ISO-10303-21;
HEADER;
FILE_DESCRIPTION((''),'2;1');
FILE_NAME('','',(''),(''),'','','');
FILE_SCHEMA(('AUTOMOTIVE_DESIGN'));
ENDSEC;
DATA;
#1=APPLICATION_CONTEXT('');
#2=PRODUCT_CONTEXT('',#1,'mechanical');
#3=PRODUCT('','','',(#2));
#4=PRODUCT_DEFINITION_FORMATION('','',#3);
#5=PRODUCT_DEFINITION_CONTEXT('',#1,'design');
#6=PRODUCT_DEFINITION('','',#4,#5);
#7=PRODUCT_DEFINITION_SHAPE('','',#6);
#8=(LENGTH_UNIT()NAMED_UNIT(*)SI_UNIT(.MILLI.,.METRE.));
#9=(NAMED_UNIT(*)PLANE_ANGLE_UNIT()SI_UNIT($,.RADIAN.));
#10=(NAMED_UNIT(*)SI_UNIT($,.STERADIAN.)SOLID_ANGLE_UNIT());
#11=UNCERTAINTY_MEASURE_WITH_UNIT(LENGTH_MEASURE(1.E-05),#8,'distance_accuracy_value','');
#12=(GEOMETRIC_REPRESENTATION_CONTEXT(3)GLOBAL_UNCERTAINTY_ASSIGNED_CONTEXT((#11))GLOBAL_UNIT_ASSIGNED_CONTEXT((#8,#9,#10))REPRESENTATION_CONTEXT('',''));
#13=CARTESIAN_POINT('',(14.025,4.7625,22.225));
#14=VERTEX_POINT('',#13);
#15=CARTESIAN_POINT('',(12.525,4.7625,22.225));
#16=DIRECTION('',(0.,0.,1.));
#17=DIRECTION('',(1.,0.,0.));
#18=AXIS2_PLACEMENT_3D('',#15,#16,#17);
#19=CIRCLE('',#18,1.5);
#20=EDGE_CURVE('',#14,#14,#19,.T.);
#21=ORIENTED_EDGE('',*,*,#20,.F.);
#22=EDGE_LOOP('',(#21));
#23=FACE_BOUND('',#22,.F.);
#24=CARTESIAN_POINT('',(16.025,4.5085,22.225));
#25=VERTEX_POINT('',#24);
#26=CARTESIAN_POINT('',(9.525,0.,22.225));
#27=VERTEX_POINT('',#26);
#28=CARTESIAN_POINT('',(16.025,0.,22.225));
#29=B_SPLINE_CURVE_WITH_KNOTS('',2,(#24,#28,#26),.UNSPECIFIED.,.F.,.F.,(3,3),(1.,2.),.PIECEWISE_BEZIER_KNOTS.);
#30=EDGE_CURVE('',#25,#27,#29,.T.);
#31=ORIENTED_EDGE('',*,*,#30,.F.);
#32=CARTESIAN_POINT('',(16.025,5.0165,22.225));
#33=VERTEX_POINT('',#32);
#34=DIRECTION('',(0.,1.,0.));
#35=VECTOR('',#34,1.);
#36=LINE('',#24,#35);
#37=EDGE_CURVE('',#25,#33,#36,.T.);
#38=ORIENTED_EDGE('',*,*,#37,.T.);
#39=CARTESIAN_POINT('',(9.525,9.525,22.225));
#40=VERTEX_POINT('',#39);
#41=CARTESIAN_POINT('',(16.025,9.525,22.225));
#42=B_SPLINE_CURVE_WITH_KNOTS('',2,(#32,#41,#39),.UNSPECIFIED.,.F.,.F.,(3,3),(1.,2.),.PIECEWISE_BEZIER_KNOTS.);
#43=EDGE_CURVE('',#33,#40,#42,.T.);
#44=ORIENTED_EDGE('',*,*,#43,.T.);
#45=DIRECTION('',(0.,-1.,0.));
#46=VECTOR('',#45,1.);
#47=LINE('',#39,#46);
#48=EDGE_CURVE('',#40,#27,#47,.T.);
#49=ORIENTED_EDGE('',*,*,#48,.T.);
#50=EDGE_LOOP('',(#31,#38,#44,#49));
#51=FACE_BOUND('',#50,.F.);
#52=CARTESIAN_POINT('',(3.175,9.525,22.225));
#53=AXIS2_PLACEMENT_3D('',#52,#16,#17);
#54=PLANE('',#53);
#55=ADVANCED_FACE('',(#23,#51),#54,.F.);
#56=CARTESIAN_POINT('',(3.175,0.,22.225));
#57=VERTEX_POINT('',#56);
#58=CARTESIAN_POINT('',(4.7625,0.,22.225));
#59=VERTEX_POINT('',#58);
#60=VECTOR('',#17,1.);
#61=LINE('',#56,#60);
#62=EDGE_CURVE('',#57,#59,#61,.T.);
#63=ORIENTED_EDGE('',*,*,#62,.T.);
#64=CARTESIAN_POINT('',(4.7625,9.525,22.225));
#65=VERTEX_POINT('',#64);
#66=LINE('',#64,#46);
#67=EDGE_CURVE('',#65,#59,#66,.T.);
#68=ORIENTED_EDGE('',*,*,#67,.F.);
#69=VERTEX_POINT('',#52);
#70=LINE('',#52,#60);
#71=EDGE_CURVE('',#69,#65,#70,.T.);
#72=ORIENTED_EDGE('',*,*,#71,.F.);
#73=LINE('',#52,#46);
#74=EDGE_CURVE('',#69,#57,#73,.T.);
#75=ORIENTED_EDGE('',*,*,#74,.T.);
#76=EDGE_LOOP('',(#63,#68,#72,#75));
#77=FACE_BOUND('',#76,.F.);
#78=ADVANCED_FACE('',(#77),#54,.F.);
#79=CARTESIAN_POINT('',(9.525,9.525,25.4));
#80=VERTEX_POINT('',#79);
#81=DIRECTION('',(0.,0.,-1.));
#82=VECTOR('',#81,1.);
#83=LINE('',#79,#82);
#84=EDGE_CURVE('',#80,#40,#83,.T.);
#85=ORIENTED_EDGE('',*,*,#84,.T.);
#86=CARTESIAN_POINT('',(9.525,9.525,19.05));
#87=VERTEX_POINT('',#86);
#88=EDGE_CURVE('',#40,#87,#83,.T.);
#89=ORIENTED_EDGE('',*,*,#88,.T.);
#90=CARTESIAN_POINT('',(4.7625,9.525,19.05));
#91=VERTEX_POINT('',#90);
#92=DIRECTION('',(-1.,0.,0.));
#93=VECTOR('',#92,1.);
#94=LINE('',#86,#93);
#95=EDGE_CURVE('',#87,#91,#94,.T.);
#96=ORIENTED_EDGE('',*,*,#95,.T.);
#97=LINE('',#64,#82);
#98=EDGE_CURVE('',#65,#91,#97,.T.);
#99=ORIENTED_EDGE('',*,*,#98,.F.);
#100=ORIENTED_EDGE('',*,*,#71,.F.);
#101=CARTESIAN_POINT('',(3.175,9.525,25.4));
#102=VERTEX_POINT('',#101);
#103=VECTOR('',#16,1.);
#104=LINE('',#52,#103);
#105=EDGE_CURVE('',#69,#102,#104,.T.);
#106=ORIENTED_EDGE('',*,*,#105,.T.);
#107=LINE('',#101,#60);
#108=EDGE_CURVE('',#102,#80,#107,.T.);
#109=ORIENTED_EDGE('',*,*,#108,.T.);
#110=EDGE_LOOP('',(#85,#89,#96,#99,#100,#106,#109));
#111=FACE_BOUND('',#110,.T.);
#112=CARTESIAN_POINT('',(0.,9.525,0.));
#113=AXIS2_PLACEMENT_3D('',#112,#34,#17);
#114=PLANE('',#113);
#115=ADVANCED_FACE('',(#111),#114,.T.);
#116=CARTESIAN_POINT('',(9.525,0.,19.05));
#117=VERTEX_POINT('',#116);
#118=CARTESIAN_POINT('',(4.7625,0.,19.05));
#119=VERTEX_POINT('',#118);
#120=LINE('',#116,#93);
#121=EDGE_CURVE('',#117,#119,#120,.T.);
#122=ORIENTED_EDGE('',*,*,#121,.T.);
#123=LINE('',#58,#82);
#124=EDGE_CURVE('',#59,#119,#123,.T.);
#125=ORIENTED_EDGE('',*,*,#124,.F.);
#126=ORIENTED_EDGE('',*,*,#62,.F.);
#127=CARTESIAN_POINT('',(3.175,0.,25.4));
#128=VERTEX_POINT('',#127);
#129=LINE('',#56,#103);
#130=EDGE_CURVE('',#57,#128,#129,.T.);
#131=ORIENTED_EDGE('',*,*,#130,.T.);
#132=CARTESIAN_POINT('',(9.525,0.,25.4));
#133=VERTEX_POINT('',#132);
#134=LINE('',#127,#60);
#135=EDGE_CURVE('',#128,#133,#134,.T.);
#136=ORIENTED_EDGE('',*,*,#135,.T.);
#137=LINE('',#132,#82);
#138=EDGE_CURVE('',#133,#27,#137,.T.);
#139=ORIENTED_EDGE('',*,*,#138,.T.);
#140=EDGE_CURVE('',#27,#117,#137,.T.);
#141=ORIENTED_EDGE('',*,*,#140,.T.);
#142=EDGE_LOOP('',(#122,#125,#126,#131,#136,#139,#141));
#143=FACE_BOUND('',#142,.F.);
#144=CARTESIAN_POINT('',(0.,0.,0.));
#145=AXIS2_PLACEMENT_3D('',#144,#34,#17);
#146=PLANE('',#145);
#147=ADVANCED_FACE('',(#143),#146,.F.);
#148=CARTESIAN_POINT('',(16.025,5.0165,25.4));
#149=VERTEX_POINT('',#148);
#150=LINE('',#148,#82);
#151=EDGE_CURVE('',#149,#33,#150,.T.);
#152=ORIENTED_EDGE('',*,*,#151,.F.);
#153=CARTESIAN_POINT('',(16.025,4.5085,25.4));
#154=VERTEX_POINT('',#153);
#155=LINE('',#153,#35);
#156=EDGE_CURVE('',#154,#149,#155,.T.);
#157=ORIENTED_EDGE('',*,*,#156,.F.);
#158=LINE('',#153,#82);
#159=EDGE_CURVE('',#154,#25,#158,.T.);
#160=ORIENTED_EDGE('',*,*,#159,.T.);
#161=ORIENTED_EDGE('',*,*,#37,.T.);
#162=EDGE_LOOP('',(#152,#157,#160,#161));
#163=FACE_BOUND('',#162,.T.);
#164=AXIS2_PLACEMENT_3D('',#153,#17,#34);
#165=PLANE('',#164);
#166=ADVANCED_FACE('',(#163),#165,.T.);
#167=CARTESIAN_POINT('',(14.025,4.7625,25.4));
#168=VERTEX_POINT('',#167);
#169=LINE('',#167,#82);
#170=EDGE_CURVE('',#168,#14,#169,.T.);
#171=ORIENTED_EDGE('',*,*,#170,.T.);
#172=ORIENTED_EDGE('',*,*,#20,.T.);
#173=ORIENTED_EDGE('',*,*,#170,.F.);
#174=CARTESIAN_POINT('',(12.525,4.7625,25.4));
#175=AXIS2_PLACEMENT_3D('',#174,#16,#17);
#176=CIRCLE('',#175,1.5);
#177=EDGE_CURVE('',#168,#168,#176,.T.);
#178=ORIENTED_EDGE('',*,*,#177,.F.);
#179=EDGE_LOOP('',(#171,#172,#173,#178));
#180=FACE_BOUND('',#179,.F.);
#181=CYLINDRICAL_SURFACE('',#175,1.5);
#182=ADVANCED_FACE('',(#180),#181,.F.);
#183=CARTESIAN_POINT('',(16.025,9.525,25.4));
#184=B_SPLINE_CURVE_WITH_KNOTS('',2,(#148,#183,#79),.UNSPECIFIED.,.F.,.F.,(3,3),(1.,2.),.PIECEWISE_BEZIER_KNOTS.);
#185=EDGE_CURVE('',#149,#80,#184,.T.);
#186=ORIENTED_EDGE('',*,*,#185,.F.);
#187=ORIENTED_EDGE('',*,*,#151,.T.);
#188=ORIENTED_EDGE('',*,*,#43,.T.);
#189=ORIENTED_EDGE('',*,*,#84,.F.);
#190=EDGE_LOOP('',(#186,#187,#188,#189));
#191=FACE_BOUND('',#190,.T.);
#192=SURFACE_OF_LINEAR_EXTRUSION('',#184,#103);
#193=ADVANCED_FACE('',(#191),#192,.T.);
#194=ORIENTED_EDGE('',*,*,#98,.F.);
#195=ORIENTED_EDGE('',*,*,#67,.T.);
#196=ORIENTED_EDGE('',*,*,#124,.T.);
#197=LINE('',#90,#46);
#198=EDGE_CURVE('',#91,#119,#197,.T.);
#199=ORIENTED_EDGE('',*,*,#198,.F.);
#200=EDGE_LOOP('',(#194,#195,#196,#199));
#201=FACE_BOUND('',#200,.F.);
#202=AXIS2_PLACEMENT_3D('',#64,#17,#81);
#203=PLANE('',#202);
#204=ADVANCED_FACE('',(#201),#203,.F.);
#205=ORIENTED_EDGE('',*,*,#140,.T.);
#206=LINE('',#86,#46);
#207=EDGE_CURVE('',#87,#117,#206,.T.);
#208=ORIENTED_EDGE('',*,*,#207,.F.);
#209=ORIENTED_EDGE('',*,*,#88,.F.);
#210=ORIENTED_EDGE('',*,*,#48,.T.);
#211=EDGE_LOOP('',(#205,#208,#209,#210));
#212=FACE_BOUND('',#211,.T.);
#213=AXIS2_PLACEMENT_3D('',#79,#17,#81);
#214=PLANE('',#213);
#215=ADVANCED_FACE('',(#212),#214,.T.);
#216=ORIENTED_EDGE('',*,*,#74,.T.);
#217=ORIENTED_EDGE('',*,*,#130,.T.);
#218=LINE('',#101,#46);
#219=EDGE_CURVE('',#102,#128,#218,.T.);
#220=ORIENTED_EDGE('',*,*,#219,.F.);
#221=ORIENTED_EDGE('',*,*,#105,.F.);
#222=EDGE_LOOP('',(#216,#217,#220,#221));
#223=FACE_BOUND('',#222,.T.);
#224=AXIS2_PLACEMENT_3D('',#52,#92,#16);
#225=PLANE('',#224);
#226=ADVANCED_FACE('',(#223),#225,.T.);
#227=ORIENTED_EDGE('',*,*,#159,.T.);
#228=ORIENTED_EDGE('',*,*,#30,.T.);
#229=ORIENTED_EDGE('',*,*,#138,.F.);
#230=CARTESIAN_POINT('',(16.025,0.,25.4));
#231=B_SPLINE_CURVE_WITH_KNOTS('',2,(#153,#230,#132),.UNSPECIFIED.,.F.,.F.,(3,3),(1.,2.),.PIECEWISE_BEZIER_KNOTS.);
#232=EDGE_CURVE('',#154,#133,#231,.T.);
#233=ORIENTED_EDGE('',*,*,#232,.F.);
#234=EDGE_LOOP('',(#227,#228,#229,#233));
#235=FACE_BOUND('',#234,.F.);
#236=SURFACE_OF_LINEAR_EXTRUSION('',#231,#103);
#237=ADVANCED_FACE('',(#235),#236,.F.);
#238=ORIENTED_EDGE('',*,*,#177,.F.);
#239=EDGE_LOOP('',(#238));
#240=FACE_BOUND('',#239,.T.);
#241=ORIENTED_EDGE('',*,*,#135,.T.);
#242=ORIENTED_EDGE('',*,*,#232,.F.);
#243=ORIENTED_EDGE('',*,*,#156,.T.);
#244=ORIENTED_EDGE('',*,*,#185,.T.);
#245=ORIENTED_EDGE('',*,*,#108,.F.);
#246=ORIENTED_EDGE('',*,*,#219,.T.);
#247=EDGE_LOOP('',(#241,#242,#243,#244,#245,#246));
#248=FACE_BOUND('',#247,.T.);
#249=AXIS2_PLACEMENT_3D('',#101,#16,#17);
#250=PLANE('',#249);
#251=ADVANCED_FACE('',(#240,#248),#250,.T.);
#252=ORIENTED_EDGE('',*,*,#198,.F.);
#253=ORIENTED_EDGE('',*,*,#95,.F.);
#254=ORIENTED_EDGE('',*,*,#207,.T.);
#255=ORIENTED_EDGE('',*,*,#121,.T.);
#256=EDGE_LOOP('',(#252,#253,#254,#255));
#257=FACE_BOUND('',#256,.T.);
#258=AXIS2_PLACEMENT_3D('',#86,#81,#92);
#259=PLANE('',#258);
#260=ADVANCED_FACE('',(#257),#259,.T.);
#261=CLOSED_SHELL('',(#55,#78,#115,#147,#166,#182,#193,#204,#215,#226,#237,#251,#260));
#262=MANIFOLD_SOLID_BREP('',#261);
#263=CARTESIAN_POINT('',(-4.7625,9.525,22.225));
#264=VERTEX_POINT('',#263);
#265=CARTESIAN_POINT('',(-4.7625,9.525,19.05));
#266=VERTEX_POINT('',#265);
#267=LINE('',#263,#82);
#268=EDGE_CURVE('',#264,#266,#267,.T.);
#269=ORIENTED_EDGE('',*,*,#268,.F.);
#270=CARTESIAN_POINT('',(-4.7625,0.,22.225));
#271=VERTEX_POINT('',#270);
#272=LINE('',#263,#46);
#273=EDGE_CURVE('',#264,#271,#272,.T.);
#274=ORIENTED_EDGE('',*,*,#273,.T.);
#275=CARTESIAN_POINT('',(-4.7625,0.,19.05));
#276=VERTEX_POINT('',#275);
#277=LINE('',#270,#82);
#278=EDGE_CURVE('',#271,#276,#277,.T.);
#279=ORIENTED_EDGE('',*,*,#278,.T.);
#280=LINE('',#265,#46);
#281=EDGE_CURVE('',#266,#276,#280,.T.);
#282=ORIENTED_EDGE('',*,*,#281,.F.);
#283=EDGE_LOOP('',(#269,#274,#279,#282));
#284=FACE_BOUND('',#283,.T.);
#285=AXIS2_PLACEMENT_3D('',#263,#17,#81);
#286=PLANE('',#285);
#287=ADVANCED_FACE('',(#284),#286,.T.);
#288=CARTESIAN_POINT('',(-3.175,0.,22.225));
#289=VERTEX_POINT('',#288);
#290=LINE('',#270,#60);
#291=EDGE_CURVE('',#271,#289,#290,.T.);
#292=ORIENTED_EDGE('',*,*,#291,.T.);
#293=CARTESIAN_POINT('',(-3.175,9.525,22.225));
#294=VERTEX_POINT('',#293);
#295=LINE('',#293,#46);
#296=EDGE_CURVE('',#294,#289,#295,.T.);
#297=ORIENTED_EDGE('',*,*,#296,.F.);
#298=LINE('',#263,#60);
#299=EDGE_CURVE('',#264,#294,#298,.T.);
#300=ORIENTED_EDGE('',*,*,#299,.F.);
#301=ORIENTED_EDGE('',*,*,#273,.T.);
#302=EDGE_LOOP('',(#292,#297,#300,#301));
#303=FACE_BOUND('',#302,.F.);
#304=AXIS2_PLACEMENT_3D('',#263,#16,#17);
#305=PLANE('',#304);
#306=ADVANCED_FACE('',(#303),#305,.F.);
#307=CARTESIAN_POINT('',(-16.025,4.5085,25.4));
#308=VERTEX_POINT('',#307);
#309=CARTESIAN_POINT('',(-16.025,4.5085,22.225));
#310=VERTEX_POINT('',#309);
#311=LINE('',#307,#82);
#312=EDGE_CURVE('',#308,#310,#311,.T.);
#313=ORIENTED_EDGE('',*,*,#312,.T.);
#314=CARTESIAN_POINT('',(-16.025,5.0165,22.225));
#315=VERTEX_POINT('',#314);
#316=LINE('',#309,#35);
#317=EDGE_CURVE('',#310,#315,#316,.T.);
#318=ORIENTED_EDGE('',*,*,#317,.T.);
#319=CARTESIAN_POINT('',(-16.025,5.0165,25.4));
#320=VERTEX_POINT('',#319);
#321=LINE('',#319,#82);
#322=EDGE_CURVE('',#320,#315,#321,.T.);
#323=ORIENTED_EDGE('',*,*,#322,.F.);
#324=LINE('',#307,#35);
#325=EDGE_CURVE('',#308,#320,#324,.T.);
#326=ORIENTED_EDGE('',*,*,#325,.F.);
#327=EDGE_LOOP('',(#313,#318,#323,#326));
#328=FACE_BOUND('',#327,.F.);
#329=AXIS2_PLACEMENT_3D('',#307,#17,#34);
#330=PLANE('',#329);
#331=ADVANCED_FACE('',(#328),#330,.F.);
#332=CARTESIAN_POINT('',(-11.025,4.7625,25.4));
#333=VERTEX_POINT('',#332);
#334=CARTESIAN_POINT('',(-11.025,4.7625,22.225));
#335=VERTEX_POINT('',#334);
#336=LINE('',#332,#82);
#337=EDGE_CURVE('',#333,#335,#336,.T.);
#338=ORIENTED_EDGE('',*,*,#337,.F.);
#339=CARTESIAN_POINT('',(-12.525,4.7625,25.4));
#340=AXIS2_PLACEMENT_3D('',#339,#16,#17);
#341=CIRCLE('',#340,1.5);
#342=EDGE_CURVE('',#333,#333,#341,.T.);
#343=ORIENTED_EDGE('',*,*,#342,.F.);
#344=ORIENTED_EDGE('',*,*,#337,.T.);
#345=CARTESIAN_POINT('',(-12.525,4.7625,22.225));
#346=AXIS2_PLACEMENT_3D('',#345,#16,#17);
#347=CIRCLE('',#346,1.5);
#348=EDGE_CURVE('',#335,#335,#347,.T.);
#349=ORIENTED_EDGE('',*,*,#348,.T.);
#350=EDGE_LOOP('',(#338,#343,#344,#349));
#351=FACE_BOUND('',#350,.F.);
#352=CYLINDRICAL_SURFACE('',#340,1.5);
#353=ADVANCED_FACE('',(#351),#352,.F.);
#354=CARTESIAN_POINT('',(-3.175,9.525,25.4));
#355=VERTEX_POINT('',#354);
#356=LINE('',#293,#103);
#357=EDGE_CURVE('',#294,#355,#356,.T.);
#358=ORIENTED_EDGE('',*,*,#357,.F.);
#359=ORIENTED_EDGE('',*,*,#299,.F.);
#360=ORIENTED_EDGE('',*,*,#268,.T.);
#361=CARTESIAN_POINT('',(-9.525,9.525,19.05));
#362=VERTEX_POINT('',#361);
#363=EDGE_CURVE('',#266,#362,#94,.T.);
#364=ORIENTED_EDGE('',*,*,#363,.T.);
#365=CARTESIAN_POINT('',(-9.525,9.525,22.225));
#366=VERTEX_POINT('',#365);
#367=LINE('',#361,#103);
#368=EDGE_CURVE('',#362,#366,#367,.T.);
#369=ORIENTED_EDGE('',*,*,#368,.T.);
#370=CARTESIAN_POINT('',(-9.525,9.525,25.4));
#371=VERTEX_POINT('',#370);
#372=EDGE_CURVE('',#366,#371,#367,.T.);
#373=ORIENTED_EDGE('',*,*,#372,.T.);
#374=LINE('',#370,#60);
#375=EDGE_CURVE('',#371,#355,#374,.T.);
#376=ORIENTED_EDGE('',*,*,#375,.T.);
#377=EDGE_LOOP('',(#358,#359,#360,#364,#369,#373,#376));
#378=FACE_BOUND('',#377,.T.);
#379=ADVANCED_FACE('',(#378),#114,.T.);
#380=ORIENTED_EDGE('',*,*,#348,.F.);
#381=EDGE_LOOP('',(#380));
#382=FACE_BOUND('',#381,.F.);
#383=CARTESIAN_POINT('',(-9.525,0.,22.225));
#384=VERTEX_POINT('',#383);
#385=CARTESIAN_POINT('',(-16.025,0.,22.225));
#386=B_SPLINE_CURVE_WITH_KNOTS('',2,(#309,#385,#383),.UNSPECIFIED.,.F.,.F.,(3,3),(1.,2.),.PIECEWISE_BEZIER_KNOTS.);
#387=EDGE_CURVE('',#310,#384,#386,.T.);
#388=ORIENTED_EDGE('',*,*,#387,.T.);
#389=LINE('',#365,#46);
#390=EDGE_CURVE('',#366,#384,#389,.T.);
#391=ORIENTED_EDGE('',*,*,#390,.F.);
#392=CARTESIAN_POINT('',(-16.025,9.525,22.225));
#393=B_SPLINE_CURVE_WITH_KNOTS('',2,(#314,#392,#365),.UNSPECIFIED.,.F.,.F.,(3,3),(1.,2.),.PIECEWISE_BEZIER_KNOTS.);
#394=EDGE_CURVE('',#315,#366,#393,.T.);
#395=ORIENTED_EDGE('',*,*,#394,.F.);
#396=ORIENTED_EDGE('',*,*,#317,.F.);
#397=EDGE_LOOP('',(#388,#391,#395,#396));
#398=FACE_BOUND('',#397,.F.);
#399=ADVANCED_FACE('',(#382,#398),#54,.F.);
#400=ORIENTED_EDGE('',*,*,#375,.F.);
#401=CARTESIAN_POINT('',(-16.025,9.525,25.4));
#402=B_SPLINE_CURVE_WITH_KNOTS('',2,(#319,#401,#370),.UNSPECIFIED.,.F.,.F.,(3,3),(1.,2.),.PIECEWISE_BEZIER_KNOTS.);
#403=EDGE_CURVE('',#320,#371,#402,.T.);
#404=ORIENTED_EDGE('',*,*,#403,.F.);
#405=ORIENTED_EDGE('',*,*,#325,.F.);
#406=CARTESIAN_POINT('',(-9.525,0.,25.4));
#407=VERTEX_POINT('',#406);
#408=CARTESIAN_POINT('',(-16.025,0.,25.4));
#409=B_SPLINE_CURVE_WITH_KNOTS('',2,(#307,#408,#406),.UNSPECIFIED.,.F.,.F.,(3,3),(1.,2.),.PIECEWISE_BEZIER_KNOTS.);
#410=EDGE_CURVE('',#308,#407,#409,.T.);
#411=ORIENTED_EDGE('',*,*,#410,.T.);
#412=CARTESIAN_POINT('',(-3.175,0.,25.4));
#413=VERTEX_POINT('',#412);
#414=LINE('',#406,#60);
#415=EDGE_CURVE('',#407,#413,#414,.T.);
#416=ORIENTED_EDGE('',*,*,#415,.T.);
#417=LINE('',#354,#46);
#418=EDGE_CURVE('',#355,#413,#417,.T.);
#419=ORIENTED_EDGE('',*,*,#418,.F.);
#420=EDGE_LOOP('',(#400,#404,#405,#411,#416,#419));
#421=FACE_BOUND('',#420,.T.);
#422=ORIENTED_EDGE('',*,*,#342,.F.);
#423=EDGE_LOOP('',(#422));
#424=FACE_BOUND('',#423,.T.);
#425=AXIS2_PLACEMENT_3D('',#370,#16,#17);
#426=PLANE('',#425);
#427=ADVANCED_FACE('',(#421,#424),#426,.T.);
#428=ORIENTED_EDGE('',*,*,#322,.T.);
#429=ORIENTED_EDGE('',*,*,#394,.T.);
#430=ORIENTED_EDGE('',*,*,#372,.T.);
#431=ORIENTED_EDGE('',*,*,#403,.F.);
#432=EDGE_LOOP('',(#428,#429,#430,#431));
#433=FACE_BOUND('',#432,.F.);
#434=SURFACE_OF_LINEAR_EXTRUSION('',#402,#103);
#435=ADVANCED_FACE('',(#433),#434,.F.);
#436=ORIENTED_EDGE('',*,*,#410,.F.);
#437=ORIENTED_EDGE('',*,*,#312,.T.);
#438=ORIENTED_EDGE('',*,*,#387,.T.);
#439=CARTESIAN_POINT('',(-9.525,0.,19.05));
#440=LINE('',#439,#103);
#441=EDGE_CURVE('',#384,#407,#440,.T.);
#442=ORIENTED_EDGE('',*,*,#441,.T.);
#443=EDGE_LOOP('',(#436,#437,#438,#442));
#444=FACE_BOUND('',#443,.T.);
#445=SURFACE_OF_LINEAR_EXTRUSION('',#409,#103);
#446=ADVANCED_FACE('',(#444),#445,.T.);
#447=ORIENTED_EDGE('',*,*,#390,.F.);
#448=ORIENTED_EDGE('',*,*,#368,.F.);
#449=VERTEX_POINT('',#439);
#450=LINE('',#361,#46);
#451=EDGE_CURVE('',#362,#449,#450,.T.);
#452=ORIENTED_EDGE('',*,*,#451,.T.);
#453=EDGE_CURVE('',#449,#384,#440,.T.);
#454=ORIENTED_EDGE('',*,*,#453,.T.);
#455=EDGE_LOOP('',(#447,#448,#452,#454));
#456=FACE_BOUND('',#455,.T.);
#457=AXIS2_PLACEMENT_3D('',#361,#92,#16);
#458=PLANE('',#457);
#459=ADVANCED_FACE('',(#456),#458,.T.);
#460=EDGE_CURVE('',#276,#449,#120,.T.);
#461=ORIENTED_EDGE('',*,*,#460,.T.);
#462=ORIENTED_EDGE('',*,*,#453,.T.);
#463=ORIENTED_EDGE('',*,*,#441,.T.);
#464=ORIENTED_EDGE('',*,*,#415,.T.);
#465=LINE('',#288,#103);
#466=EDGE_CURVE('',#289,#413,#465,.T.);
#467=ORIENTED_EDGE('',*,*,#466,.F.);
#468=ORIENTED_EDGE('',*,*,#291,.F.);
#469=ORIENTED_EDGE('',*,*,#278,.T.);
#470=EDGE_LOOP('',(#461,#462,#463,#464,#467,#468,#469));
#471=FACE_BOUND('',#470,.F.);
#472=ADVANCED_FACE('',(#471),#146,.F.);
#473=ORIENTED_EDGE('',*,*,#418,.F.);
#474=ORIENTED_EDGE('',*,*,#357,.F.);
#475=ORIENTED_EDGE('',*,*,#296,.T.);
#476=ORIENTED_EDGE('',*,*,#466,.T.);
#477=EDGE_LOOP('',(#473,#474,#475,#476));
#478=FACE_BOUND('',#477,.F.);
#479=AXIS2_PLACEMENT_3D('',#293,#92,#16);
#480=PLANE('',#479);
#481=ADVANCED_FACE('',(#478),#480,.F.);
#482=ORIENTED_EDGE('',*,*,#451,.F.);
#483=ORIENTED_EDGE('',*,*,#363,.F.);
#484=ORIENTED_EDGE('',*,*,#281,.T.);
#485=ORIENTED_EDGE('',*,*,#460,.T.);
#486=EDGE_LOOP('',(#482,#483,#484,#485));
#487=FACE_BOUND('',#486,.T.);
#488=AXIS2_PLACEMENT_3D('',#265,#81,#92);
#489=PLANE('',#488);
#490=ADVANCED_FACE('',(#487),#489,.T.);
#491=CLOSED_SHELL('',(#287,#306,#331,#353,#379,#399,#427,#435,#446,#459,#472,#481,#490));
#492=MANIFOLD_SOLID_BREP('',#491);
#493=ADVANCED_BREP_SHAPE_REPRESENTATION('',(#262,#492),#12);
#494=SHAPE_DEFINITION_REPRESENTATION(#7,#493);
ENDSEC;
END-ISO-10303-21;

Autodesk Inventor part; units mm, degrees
ref_plane "Work Plane6" through (0, 9.525, 0) normal (0, 1, 0) x (1, 0, 0)
sketch "Sketch6" plane through (0, 9.525, 0) normal (0, 1, 0) x (1, 0, 0)
  line L0 (9.525, -19.05) -> (-9.525, -19.05)
  line L1 (-9.525, -19.05) -> (-9.525, -25.4)
  line L2 (9.525, -25.4) -> (9.525, -19.05)
  line L3 (3.175, -22.225) -> (4.7625, -22.225)
  line L4 (-4.7625, 25.4) -> (4.7625, 25.4) projected
  line L5 (4.7625, 22.225) -> (4.7625, 25.4) projected
  line L6 (-4.7625, -22.225) -> (-3.175, -22.225)
  line L7 (-3.175, -22.225) -> (-3.175, -25.4)
  line L8 (-4.7625, -22.225) -> (-4.7625, -19.05)
  line L9 (4.7625, -22.225) -> (4.7625, -19.05)
  line L10 (3.175, -22.225) -> (3.175, -25.4)
  line L11 (-9.525, -25.4) -> (-3.175, -25.4)
  line L12 (3.175, -25.4) -> (9.525, -25.4)
  point P0 (0, 0)
extrude "Extrusion6" add sketch "Sketch6" against normal blind 9.525
ref_plane "Work Plane7" through (3.175, 9.525, 25.4) normal (0, 0, 1) x (1, 0, 0)
sketch "Sketch7" plane through (3.175, 9.525, 25.4) normal (0, 0, 1) x (1, 0, 0)
  circle A0 centre (9.35, -4.7625) radius 1.5
  line L0 (12.85, -5.0165) -> (12.85, -4.5085)
  line L1 (12.85, -4.5085) -> (12.85, 0) construction
  line L2 (12.85, 0) -> (6.35, 0) construction
  spline S0 degree 2 poles (12.85, -4.5085) (12.85, 0) (6.35, 0) knots 1 1 1 2 2 2
  line L3 (12.85, -5.0165) -> (12.85, -9.525) construction
  line L4 (12.85, -9.525) -> (6.35, -9.525) construction
  spline S1 degree 2 poles (12.85, -5.0165) (12.85, -9.525) (6.35, -9.525) knots 1 1 1 2 2 2
  line L5 (-3.175, -9.525) -> (-3.175, 0)
  line L6 (-7.9375, 0) -> (1.5875, 0) projected
  line L7 (6.35, 0) -> (6.35, -9.525) projected
  line L8 (6.35, -9.525) -> (6.35, 0)
  circle A1 centre (-15.7, -4.7625) radius 1.5
  line L9 (-19.2, -5.0165) -> (-19.2, -4.5085)
  line L10 (-19.2, -4.5085) -> (-19.2, 0) construction
  line L11 (-19.2, 0) -> (-12.7, 0) construction
  spline S2 degree 2 poles (-19.2, -4.5085) (-19.2, 0) (-12.7, 0) knots 1 1 1 2 2 2
  line L12 (-19.2, -5.0165) -> (-19.2, -9.525) construction
  line L13 (-19.2, -9.525) -> (-12.7, -9.525) construction
  spline S3 degree 2 poles (-19.2, -5.0165) (-19.2, -9.525) (-12.7, -9.525) knots 1 1 1 2 2 2
  line L14 (-12.7, 0) -> (-12.7, -9.525)
  line L15 (-12.7, -9.525) -> (-12.7, 0)
  point P0 (10.85, -4.7625)
  point P1 (-17.2, -4.7625)
  dimension "d25" = 3
extrude "Extrusion7" add sketch "Sketch7" against normal blind 3.175
ref_plane "Work Plane5" through (-4.7625, 0, 3.175) normal (0, 0, 1) x (1, 0, 0)
ref_plane "Work Plane8" through (-9.525, 0, 22.225) normal (-1, 0, 0) x (0, 0, 1)
sketch "Sketch8" plane through (-9.525, 0, 22.225) normal (-1, 0, 0) x (0, 0, 1)
  point P0 (-22.225, 0)
properties part number "Connector_A"
